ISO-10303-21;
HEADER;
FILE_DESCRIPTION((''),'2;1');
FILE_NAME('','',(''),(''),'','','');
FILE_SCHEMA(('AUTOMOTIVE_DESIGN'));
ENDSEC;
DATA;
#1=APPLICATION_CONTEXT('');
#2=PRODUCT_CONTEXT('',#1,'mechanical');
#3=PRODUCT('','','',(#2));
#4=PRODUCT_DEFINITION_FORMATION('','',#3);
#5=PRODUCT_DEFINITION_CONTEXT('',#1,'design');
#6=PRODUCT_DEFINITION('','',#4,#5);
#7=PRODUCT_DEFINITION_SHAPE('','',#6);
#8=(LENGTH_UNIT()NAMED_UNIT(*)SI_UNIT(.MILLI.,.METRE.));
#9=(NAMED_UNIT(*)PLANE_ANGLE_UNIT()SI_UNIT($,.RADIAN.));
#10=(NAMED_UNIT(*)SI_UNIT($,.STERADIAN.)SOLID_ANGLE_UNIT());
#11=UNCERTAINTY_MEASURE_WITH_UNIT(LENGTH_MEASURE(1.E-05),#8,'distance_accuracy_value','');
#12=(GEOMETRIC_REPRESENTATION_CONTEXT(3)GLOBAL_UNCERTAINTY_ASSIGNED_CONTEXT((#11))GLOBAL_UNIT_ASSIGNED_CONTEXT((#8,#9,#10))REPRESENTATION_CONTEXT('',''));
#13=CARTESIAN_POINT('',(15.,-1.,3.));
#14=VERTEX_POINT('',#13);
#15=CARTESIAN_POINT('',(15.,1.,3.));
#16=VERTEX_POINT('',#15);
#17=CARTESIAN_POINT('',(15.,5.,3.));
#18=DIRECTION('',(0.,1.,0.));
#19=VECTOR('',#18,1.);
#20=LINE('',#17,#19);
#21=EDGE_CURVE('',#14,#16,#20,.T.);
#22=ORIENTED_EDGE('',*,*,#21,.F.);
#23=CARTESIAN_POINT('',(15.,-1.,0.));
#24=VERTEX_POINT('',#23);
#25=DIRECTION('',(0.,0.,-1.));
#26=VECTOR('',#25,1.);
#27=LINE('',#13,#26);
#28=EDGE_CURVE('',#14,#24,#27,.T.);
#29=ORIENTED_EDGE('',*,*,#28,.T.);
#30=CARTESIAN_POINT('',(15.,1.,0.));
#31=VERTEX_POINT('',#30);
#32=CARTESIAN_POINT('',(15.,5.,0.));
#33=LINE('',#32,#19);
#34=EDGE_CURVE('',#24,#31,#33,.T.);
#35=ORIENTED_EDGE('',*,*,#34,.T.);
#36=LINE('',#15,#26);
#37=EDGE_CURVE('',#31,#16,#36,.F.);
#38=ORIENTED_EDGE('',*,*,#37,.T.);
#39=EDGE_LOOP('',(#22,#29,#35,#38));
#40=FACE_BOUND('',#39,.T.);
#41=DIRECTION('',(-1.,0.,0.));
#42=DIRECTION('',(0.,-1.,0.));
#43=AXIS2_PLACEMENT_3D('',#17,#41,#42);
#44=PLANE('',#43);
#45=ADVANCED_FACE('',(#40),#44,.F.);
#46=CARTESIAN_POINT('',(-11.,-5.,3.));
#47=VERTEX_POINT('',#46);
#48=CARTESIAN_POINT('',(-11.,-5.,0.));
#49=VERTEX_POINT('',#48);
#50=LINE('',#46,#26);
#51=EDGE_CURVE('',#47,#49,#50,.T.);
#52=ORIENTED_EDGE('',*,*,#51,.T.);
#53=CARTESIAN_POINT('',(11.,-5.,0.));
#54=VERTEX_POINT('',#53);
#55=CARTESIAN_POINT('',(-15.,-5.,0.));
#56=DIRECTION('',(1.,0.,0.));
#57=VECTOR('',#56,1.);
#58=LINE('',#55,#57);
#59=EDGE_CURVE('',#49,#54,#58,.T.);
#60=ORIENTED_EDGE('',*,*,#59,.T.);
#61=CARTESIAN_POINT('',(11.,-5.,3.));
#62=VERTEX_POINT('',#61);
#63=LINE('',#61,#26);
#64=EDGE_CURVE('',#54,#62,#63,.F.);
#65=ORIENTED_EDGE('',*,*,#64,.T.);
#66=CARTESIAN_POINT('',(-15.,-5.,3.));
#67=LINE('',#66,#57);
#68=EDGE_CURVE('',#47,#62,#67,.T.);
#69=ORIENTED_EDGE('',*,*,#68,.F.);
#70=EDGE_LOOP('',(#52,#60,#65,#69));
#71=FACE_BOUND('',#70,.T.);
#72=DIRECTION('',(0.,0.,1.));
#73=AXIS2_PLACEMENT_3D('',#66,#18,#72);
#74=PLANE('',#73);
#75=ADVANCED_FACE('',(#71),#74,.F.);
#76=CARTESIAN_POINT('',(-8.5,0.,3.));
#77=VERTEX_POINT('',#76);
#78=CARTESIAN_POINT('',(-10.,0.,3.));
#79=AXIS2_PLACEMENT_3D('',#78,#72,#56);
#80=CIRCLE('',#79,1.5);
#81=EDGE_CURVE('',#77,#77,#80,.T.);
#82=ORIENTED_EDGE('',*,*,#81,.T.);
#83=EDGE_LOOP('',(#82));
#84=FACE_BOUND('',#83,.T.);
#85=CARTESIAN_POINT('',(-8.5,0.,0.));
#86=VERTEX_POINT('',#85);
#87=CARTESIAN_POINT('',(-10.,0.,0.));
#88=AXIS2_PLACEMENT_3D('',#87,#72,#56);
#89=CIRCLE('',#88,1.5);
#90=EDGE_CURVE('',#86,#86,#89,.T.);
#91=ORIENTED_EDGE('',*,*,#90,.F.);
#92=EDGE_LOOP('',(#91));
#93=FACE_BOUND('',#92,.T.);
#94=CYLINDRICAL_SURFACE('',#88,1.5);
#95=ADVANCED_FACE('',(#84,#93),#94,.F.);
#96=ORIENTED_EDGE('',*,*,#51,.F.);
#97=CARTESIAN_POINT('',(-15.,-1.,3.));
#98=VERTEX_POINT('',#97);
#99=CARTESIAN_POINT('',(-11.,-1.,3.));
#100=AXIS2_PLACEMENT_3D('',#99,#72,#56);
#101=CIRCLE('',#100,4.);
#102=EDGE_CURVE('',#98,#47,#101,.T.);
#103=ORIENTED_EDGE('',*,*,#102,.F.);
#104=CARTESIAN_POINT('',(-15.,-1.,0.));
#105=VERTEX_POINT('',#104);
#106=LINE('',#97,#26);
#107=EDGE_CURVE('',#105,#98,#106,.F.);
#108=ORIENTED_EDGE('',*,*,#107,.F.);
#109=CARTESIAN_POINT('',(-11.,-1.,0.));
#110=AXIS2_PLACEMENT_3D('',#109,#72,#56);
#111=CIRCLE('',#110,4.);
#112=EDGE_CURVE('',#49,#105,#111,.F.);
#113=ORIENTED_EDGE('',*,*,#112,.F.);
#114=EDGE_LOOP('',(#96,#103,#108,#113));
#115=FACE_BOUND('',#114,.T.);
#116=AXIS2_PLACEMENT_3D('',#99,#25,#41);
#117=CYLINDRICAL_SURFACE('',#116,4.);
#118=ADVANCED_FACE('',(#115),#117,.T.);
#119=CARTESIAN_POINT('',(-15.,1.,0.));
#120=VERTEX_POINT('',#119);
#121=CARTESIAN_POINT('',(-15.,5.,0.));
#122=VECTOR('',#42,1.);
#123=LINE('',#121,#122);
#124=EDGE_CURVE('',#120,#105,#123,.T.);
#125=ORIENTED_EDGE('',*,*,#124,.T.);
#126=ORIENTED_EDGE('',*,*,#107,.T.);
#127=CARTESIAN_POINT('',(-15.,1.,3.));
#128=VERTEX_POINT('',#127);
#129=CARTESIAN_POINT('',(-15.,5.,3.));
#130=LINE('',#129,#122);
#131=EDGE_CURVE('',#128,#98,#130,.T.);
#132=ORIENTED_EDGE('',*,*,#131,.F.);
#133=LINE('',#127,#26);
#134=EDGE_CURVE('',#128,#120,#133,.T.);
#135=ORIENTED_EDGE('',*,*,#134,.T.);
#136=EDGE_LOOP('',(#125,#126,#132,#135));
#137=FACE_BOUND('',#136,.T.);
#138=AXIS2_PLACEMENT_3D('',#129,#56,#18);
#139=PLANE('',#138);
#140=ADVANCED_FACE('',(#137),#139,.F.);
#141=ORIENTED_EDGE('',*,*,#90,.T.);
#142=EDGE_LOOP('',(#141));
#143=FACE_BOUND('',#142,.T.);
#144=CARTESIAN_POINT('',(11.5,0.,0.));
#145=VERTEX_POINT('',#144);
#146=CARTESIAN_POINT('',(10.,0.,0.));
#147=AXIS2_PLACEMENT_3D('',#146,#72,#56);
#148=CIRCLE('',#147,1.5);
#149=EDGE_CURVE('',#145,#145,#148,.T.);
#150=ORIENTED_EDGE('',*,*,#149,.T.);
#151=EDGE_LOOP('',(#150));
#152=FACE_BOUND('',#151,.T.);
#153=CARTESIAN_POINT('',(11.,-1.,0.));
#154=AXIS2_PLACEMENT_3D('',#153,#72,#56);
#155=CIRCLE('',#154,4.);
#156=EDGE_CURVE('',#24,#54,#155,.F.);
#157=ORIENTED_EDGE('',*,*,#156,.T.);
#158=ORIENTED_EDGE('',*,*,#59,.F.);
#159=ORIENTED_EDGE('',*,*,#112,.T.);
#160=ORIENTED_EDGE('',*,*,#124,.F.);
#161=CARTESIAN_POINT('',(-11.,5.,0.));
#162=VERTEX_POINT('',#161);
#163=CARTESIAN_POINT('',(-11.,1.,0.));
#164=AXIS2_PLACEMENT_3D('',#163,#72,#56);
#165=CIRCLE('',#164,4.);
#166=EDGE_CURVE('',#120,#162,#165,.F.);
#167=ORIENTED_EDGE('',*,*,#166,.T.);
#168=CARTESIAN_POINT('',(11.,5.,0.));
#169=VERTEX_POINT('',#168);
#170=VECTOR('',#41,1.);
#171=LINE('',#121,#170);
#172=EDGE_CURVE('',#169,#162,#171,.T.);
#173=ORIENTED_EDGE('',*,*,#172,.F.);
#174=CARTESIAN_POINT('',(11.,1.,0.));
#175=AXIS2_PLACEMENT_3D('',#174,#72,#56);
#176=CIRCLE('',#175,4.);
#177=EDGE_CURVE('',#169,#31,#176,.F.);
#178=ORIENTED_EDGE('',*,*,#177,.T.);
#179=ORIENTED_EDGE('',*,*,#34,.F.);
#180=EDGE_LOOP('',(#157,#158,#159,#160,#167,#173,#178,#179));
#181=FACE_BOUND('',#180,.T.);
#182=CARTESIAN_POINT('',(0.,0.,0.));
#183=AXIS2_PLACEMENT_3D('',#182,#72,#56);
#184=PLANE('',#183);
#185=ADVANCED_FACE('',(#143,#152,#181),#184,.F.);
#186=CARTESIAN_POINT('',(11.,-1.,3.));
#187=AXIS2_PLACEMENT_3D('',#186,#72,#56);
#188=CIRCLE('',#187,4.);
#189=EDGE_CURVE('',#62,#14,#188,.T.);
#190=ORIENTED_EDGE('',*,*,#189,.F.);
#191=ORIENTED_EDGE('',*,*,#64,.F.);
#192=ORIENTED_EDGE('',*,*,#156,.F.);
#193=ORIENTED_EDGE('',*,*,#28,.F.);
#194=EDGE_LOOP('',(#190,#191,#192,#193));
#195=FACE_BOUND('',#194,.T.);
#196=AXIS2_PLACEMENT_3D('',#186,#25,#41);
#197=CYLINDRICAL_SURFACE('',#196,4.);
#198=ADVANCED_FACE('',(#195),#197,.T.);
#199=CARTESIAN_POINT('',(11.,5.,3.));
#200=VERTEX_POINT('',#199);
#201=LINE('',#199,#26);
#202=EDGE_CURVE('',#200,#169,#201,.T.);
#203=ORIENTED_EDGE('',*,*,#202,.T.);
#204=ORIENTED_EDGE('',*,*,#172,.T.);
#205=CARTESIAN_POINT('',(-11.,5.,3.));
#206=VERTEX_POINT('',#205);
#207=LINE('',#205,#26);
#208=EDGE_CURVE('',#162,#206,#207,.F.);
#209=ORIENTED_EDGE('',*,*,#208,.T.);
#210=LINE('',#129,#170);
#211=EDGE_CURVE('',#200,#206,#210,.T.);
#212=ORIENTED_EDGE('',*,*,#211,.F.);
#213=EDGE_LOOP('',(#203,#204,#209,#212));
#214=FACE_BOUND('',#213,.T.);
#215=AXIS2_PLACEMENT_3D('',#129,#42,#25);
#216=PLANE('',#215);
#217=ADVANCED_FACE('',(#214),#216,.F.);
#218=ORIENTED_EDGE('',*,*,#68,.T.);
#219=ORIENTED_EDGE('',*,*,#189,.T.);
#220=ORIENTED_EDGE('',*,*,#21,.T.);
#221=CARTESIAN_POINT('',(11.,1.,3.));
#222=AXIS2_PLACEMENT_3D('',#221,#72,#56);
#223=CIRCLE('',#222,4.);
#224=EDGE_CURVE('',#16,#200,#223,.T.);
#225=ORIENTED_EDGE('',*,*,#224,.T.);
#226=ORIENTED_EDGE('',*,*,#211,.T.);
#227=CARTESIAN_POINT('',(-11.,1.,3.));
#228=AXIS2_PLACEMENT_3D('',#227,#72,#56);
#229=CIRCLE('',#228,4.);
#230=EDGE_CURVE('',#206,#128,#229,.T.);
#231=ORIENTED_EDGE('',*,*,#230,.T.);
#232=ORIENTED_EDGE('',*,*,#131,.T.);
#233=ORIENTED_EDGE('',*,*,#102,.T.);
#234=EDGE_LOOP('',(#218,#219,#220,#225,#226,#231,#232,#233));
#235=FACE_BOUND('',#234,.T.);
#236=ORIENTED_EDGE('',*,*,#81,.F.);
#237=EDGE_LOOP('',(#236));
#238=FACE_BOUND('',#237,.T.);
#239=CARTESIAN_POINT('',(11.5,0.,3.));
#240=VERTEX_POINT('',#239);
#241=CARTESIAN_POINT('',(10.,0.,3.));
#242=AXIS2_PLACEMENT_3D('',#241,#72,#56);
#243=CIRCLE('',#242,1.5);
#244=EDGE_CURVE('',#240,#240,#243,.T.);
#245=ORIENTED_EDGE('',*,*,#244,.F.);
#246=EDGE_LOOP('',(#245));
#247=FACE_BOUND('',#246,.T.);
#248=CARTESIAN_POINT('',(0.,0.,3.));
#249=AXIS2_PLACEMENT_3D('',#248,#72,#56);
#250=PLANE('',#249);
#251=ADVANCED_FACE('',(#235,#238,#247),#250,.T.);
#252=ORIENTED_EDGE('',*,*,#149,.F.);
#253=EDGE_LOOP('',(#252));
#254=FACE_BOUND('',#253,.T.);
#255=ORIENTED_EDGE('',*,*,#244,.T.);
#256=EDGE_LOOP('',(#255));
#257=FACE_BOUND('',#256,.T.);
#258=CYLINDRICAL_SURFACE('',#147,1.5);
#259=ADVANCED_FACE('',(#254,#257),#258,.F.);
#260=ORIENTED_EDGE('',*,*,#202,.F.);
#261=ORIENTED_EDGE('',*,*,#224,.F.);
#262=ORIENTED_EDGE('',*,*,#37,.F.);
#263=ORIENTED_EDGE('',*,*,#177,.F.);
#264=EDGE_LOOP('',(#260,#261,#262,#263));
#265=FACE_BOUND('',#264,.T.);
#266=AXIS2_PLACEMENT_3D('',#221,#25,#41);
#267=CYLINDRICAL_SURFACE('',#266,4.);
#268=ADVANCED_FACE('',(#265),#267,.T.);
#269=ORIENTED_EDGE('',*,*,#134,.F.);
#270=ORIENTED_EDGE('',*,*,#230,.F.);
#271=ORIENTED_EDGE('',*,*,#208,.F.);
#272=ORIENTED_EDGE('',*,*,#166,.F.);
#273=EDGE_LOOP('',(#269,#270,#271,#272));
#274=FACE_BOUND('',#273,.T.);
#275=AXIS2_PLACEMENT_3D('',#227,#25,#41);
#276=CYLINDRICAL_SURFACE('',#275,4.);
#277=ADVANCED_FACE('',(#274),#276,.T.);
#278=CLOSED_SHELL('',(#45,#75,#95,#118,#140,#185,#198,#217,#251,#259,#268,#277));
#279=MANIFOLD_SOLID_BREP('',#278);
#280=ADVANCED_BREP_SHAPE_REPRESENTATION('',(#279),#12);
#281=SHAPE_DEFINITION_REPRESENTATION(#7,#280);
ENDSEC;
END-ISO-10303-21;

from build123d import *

# Parameters (mm, degrees)
SKETCH_1_W          = 30
SKETCH_1_H          = 10
EXTRUDE_1_DEPTH     = 3
SKETCH_2_R          = 1.5
CUT_EXTRUDE_1_DEPTH = 3
FILLET_1_R          = 4


with BuildPart() as part:
    # 草图1 → 凸台-拉伸1 (new body)
    with BuildSketch(Plane.XY):
        Rectangle(SKETCH_1_W, SKETCH_1_H)
    extrude(amount=EXTRUDE_1_DEPTH)

    # 草图2 → 切除-拉伸1 (cut)
    with BuildSketch(Plane.XY.offset(3)):
        with Locations((10, 0)):
            Circle(SKETCH_2_R)
        with Locations((-10, 0)):
            Circle(SKETCH_2_R)
    extrude(amount=-CUT_EXTRUDE_1_DEPTH, mode=Mode.SUBTRACT)

    # 圆角1
    fillet_1_edges = [part.edges().sort_by_distance(p)[0] for p in [
        (-15, 5, 1.5),
        (15, 5, 1.5),
        (15, -5, 1.5),
        (-15, -5, 1.5),
    ]]
    fillet(fillet_1_edges, radius=FILLET_1_R)


solid = part.part
